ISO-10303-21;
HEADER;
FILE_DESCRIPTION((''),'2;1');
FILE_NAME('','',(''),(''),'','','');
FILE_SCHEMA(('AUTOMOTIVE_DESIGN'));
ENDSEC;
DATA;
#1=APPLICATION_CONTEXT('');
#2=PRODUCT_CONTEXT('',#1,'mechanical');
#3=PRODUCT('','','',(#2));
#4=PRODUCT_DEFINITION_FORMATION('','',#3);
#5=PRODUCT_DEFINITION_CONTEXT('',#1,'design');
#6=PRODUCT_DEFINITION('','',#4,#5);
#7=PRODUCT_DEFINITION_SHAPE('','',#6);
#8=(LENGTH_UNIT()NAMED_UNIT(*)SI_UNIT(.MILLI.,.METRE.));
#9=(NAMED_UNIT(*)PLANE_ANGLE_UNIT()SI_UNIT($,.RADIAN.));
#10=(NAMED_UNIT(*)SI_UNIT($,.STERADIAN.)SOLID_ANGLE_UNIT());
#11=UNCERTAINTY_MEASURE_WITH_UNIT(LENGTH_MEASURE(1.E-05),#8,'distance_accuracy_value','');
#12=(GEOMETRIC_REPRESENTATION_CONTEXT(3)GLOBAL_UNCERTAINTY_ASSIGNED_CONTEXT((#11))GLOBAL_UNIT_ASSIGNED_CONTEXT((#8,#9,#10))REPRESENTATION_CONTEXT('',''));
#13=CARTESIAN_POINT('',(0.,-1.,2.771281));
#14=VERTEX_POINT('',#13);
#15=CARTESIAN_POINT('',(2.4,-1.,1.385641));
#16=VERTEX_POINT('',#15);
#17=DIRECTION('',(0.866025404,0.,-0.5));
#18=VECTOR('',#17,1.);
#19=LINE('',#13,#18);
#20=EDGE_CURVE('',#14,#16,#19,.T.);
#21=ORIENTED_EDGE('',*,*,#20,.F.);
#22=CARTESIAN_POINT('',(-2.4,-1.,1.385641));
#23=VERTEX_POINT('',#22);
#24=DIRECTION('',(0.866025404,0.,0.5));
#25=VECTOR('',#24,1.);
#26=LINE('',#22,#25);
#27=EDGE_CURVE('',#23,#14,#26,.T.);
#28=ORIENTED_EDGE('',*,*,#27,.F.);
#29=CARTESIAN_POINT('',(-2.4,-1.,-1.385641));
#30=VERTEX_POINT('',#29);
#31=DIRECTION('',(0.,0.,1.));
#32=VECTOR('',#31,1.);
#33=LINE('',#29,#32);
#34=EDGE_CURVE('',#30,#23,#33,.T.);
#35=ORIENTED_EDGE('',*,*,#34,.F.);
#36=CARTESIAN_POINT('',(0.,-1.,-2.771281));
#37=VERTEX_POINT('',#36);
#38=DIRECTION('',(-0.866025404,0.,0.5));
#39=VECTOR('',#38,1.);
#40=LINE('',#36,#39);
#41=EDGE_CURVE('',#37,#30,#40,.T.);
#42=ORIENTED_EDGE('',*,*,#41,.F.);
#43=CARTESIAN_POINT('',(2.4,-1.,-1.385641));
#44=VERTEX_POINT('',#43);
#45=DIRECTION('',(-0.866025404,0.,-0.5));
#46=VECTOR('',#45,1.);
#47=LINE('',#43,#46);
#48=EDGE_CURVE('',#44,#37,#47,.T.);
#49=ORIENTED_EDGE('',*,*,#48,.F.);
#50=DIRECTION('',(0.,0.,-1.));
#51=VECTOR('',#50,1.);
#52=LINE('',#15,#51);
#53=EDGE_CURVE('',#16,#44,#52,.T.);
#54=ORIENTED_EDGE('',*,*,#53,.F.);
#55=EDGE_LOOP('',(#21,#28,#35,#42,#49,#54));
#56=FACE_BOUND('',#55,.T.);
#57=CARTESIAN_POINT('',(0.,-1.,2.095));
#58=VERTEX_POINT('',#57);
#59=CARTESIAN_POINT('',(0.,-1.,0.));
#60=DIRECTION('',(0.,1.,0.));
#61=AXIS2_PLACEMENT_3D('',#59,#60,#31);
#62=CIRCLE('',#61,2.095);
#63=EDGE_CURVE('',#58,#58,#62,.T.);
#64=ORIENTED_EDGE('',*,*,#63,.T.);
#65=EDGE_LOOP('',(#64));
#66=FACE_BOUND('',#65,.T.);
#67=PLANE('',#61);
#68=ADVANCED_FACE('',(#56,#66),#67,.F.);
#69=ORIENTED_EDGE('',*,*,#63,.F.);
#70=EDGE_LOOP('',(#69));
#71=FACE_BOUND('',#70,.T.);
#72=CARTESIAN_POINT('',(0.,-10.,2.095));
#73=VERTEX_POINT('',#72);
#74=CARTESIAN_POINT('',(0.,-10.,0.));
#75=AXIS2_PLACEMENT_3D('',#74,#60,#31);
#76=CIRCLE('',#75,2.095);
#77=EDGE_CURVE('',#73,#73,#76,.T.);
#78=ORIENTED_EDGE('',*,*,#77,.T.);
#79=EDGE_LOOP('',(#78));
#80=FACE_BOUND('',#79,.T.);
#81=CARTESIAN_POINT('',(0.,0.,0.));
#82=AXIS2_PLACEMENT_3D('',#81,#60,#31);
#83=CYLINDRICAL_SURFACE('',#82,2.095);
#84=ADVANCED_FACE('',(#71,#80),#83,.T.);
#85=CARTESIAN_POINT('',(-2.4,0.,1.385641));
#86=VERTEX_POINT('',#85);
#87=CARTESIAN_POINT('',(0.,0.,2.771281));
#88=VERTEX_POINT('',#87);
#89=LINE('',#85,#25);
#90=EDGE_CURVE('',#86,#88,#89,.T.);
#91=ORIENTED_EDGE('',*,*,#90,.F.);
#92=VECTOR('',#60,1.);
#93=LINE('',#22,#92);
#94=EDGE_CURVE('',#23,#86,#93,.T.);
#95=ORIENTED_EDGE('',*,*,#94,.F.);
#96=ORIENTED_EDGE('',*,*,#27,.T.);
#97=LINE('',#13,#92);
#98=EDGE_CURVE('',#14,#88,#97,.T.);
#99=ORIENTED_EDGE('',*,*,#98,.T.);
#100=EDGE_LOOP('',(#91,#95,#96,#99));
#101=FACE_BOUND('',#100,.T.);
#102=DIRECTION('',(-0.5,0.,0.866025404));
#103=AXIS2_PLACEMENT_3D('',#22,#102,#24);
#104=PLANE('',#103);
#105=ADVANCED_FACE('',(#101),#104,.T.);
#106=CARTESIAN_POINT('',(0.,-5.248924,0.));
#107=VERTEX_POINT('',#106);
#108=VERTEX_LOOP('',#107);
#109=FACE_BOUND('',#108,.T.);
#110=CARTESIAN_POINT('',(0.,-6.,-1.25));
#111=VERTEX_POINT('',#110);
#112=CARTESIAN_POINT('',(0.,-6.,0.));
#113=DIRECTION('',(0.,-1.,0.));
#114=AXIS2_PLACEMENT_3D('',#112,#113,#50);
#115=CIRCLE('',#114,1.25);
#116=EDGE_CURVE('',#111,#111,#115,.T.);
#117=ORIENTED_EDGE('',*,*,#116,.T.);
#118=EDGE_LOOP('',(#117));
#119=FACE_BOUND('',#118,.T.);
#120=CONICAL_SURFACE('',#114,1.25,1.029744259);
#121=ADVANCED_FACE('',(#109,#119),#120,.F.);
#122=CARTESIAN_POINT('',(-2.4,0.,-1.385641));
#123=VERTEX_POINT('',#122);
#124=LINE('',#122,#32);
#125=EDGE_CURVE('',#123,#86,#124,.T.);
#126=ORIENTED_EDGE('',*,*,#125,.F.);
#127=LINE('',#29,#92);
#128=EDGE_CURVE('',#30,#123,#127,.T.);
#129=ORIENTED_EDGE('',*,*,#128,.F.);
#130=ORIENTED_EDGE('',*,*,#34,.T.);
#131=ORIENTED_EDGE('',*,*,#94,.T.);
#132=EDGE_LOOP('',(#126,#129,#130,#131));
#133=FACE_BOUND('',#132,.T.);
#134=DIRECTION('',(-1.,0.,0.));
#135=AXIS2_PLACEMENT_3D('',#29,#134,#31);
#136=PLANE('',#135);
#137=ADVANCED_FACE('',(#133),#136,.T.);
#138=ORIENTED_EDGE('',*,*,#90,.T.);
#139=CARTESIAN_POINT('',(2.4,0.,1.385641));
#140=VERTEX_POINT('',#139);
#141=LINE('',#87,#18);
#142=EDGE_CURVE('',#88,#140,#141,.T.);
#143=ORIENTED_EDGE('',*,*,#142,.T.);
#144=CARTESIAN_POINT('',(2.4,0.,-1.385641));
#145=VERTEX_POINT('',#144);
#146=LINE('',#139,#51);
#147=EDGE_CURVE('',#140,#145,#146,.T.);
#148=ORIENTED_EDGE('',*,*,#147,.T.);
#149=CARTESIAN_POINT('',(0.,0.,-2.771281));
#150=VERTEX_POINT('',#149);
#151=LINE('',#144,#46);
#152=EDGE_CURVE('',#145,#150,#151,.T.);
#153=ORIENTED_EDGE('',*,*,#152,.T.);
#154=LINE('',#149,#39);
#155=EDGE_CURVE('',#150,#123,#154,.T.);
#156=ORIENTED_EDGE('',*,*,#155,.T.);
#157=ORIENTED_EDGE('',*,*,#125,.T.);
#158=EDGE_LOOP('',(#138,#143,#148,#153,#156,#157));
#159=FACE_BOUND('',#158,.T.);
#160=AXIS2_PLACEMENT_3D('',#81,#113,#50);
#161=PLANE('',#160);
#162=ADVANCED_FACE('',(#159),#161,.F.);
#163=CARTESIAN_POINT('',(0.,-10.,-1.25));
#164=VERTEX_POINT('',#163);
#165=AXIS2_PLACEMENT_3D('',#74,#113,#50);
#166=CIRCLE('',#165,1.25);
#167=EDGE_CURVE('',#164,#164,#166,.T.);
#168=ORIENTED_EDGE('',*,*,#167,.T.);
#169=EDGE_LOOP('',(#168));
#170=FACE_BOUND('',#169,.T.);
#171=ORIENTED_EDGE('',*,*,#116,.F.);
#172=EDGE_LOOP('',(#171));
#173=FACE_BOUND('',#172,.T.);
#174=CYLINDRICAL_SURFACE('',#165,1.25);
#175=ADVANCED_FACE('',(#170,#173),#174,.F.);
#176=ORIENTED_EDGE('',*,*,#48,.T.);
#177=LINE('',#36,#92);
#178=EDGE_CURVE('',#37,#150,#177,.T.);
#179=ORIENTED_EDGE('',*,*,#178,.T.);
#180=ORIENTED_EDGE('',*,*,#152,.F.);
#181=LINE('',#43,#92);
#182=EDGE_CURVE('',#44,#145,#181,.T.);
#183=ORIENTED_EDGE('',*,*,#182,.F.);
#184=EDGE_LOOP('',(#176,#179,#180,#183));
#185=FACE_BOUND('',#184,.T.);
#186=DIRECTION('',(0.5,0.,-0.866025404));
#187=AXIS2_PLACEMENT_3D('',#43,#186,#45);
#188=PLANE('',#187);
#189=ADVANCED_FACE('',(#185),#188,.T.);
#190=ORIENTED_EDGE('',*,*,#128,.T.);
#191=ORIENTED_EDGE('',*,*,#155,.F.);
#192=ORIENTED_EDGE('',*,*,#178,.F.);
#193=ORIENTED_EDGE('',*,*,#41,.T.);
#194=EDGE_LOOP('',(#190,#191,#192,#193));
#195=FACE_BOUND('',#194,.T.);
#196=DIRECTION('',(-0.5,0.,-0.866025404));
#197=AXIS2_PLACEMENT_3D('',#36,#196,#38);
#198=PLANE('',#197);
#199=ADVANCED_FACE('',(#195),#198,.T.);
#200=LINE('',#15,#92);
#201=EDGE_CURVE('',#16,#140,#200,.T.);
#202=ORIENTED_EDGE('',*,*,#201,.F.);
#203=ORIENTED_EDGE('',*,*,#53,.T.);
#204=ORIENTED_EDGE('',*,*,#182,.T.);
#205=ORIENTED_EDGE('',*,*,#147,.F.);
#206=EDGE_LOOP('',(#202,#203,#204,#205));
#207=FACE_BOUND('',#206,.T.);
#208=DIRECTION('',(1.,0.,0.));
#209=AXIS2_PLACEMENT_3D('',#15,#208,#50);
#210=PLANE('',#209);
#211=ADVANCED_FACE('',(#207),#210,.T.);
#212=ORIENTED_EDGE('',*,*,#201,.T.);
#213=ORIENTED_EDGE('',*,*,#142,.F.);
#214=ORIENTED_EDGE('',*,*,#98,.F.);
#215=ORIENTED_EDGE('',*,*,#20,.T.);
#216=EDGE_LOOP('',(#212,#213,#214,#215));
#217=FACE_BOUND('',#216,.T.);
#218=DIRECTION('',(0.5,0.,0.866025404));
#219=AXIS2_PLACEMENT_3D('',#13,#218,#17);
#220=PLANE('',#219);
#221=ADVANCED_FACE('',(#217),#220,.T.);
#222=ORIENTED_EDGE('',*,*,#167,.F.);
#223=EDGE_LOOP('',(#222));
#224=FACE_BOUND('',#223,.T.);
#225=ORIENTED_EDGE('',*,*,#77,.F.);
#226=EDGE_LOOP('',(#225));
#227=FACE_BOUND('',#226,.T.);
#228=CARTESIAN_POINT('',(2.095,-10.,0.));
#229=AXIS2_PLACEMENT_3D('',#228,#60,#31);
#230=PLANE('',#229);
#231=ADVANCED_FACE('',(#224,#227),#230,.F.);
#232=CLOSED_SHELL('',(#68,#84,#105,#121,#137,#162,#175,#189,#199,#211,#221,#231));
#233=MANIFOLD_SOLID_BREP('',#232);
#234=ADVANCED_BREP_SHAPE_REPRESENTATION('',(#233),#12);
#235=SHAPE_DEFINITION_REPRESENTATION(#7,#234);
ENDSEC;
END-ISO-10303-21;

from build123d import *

# Parameters (mm, degrees)
CROQUIS1_W                = 2.095
CROQUIS1_H                = 10
SALIENTE_EXTRUIR1_DEPTH   = 1
TALADRO_ROSCADO_M31_D     = 2.5
TALADRO_ROSCADO_M31_DEPTH = 4
TALADRO_ROSCADO_M31_TIP   = 0.751075774


with BuildPart() as part:
    # Croquis1 → Revolución1 (revolve)
    with BuildSketch(Plane.XY):
        with Locations((1.0475, -5)):
            Rectangle(CROQUIS1_W, CROQUIS1_H)
    revolve(axis=Axis((0, 0, 0), (0, -1, 0)))

    # Croquis2 → Saliente-Extruir1 (add)
    with BuildSketch(Plane(origin=(0, 0, 0), x_dir=(1, 0, 0), z_dir=(0, 1, 0))):
        Polygon((2.4, -1.385640646), (2.4, 1.385640646), (0, 2.771281292), (-2.4, 1.385640646), (-2.4, -1.385640646), (0, -2.771281292), align=None)
    extrude(amount=-SALIENTE_EXTRUIR1_DEPTH)

    # Taladro roscado M31
    with Locations(Plane(origin=(0, -10, 0), x_dir=(-1, 0, 0), z_dir=(0, -1, 0))):
        with Locations((0, 0)):
            Hole(TALADRO_ROSCADO_M31_D / 2, depth=TALADRO_ROSCADO_M31_DEPTH)
            with Locations((0, 0, -(TALADRO_ROSCADO_M31_DEPTH + TALADRO_ROSCADO_M31_TIP / 2))):  # 118° drill point
                Cone(0, TALADRO_ROSCADO_M31_D / 2, TALADRO_ROSCADO_M31_TIP, mode=Mode.SUBTRACT)


solid = part.part
